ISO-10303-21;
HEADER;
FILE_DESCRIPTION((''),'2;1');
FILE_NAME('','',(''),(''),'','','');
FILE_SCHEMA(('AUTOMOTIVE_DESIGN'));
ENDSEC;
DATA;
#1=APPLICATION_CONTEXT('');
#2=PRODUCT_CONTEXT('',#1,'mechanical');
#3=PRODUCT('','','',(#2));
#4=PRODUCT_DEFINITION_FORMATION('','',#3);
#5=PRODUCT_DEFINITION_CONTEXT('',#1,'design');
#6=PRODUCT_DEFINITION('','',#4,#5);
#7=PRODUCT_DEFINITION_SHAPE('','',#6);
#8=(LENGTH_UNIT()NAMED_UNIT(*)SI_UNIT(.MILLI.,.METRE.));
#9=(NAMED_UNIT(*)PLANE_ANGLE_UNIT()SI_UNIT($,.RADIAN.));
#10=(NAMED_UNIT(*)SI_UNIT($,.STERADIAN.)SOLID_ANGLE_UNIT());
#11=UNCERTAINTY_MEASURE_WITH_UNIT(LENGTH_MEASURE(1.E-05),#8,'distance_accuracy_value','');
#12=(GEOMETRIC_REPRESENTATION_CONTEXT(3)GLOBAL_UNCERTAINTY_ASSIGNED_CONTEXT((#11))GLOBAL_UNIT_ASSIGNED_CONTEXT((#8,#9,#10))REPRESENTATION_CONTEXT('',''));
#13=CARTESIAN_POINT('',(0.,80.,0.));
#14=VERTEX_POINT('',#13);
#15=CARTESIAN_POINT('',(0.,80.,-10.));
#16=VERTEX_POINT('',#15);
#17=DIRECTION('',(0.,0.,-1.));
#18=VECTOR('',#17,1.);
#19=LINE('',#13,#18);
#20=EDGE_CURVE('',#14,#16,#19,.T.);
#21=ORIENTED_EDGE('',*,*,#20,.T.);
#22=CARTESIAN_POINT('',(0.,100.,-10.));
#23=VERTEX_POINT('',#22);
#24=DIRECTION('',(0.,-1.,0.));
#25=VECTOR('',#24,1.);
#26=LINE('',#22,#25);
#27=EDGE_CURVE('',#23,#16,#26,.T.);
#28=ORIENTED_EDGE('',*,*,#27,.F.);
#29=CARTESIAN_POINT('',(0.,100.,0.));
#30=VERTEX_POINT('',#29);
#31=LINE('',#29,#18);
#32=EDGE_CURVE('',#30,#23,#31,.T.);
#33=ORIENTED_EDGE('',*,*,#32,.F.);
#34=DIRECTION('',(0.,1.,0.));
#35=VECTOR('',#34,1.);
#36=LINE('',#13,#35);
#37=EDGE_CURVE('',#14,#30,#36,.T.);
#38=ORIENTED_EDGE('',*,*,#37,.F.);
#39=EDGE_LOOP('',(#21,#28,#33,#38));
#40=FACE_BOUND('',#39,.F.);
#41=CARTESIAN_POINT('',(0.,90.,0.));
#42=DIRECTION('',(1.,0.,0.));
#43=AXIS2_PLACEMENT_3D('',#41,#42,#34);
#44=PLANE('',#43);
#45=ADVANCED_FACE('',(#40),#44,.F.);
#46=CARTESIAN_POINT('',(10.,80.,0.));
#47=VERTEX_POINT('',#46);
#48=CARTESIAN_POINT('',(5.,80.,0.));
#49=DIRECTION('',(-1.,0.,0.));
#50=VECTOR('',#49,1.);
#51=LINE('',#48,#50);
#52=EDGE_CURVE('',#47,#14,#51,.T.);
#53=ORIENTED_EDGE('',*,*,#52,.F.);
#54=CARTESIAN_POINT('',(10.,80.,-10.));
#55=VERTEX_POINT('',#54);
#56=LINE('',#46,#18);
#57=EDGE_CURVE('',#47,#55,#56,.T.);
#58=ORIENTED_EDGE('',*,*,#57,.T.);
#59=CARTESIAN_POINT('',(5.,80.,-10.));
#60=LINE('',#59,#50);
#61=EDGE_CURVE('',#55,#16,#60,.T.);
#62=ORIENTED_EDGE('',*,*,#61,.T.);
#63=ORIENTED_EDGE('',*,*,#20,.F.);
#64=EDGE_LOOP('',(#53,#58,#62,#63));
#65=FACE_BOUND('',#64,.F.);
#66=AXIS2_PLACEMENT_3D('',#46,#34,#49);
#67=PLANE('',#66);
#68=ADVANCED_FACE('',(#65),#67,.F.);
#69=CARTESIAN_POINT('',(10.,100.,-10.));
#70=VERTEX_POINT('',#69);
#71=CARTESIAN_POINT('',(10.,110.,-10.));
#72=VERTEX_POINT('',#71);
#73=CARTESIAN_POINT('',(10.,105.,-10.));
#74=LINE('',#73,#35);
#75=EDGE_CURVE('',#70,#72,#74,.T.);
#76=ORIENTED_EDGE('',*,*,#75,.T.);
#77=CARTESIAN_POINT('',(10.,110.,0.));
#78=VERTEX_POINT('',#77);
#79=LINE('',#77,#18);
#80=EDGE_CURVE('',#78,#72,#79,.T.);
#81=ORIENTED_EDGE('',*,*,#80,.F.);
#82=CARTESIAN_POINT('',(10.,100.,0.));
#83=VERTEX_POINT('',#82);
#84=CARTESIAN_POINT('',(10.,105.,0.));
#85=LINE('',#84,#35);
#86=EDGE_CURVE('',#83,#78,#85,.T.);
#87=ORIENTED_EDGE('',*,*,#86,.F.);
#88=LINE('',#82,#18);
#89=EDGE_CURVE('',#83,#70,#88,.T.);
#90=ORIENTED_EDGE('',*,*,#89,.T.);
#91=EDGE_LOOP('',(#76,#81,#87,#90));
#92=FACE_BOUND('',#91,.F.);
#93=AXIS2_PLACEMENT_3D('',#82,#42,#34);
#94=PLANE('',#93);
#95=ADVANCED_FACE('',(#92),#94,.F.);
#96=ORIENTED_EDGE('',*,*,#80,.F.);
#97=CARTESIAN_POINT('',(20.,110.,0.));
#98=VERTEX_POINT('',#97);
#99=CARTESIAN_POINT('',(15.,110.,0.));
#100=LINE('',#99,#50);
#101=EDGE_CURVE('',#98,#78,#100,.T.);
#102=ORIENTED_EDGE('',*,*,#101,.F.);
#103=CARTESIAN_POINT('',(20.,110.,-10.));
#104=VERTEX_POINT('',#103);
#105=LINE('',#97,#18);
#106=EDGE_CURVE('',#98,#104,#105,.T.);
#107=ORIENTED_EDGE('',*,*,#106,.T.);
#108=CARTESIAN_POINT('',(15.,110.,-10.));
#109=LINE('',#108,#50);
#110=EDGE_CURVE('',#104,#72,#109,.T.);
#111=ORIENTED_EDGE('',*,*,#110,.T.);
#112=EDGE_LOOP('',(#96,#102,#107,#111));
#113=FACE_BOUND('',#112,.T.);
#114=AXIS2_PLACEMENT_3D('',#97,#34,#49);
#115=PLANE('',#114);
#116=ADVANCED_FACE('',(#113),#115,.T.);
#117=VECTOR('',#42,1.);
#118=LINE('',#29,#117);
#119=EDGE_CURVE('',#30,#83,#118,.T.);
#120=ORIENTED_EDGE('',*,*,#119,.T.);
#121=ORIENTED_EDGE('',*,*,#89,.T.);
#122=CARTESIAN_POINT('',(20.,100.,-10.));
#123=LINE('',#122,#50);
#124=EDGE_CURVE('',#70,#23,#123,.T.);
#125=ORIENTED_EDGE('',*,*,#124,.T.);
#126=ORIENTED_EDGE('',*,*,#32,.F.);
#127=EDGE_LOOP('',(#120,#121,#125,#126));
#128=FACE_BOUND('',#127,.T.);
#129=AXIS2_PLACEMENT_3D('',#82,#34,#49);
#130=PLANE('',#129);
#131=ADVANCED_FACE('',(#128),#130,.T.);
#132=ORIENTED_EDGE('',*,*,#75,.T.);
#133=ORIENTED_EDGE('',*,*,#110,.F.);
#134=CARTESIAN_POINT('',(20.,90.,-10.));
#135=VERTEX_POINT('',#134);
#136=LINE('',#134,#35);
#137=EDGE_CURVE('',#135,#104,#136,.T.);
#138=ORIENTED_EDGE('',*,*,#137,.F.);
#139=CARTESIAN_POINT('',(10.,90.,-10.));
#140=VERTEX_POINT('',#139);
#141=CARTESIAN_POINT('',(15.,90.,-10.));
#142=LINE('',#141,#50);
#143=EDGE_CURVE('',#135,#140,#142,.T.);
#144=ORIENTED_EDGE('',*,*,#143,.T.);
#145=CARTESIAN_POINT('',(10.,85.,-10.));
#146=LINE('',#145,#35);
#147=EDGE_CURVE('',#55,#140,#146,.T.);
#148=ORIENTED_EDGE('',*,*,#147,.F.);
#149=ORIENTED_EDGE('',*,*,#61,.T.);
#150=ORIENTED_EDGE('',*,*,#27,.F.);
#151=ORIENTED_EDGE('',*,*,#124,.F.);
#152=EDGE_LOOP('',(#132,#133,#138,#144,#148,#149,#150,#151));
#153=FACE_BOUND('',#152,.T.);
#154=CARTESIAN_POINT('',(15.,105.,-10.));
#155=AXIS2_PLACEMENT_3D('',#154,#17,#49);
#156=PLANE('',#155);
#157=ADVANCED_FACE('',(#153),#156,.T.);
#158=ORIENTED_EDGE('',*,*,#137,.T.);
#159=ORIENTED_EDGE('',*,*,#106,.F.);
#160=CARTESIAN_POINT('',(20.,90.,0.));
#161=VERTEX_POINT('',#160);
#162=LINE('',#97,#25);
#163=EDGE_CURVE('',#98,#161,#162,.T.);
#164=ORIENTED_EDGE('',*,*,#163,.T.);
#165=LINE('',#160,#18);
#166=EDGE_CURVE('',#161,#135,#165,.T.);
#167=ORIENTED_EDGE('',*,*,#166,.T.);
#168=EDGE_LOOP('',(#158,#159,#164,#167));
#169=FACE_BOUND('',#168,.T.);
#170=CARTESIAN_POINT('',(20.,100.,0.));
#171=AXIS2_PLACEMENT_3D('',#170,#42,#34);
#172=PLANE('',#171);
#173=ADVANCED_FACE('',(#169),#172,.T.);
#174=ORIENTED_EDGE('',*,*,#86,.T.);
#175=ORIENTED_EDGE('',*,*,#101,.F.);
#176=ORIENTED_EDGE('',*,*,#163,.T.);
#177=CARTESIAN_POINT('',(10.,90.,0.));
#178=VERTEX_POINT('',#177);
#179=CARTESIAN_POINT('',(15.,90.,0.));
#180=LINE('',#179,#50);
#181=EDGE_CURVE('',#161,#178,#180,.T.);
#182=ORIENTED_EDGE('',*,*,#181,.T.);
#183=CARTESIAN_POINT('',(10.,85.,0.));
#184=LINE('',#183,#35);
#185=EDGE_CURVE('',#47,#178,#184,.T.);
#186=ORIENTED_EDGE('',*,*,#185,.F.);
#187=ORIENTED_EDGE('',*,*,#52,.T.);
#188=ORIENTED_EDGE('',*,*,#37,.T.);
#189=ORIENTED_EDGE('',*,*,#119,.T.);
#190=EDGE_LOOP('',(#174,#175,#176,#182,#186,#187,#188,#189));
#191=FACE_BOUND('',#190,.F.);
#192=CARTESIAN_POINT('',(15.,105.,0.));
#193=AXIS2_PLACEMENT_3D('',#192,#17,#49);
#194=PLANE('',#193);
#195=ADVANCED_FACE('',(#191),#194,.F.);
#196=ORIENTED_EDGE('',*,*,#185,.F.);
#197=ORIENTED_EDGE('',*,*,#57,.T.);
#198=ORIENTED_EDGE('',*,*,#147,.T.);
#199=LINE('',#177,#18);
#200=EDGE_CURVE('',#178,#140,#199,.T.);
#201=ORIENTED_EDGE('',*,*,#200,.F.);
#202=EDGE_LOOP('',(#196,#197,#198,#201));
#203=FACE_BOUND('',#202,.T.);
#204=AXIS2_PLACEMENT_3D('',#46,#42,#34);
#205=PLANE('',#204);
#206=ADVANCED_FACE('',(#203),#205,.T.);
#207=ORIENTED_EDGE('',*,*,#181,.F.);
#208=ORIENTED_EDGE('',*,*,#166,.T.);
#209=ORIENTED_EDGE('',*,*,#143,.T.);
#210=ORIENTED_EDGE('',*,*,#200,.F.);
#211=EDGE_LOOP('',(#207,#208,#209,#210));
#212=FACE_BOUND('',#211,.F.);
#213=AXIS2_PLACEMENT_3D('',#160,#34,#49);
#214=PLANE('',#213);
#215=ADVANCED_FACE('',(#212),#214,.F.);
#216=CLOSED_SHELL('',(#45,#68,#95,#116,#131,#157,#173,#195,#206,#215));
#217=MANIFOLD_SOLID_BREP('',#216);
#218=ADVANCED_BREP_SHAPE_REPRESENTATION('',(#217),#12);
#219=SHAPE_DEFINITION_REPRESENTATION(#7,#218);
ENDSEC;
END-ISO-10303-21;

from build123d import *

# Parameters (mm, degrees)
BOX026_W                     = 10
BOX026_H                     = 10
BOX026_DEPTH                 = 10
BOX027_W                     = 10
BOX027_H                     = 10
BOX027_DEPTH                 = 10
BOX028_W                     = 10
BOX028_H                     = 10
BOX028_DEPTH                 = 10
BOX029_W                     = 10
BOX029_H                     = 10
BOX029_DEPTH                 = 10
FUSION002006_PLACEMENT_ANGLE = 180


with BuildPart() as cubo026:
    # Box026 → Box026 (new body)
    with BuildSketch(Plane(origin=(0, 10, 0), x_dir=(1, 0, 0), z_dir=(0, 0, 1))):
        with Locations((5, 5)):
            Rectangle(BOX026_W, BOX026_H)
    extrude(amount=BOX026_DEPTH)


with BuildPart() as cubo027:
    # Box027 → Box027 (new body)
    with BuildSketch(Plane(origin=(10, 10, 0), x_dir=(1, 0, 0), z_dir=(0, 0, 1))):
        with Locations((5, 5)):
            Rectangle(BOX027_W, BOX027_H)
    extrude(amount=BOX027_DEPTH)


with BuildPart() as cubo028:
    # Box028 → Box028 (new body)
    with BuildSketch(Plane(origin=(0, 20, 0), x_dir=(1, 0, 0), z_dir=(0, 0, 1))):
        with Locations((5, 5)):
            Rectangle(BOX028_W, BOX028_H)
    extrude(amount=BOX028_DEPTH)


with BuildPart() as fusion002006:
    # Box029 → Box029 (new body)
    with BuildSketch(Plane(origin=(10, 0, 0), x_dir=(1, 0, 0), z_dir=(0, 0, 1))):
        with Locations((5, 5)):
            Rectangle(BOX029_W, BOX029_H)
    extrude(amount=BOX029_DEPTH)

    # Fusion002006: union Cubo026, Cubo027, Cubo028
    add(cubo026.part)
    add(cubo027.part)
    add(cubo028.part)


with BuildPart() as fusion002006_1:
    # Fusion002006 placement: moved
    add(fusion002006.part.moved(Location((20, 80, 0))).rotate(Axis((20, 80, 0), (0, 1, 0)), FUSION002006_PLACEMENT_ANGLE))


solid = fusion002006_1.part
